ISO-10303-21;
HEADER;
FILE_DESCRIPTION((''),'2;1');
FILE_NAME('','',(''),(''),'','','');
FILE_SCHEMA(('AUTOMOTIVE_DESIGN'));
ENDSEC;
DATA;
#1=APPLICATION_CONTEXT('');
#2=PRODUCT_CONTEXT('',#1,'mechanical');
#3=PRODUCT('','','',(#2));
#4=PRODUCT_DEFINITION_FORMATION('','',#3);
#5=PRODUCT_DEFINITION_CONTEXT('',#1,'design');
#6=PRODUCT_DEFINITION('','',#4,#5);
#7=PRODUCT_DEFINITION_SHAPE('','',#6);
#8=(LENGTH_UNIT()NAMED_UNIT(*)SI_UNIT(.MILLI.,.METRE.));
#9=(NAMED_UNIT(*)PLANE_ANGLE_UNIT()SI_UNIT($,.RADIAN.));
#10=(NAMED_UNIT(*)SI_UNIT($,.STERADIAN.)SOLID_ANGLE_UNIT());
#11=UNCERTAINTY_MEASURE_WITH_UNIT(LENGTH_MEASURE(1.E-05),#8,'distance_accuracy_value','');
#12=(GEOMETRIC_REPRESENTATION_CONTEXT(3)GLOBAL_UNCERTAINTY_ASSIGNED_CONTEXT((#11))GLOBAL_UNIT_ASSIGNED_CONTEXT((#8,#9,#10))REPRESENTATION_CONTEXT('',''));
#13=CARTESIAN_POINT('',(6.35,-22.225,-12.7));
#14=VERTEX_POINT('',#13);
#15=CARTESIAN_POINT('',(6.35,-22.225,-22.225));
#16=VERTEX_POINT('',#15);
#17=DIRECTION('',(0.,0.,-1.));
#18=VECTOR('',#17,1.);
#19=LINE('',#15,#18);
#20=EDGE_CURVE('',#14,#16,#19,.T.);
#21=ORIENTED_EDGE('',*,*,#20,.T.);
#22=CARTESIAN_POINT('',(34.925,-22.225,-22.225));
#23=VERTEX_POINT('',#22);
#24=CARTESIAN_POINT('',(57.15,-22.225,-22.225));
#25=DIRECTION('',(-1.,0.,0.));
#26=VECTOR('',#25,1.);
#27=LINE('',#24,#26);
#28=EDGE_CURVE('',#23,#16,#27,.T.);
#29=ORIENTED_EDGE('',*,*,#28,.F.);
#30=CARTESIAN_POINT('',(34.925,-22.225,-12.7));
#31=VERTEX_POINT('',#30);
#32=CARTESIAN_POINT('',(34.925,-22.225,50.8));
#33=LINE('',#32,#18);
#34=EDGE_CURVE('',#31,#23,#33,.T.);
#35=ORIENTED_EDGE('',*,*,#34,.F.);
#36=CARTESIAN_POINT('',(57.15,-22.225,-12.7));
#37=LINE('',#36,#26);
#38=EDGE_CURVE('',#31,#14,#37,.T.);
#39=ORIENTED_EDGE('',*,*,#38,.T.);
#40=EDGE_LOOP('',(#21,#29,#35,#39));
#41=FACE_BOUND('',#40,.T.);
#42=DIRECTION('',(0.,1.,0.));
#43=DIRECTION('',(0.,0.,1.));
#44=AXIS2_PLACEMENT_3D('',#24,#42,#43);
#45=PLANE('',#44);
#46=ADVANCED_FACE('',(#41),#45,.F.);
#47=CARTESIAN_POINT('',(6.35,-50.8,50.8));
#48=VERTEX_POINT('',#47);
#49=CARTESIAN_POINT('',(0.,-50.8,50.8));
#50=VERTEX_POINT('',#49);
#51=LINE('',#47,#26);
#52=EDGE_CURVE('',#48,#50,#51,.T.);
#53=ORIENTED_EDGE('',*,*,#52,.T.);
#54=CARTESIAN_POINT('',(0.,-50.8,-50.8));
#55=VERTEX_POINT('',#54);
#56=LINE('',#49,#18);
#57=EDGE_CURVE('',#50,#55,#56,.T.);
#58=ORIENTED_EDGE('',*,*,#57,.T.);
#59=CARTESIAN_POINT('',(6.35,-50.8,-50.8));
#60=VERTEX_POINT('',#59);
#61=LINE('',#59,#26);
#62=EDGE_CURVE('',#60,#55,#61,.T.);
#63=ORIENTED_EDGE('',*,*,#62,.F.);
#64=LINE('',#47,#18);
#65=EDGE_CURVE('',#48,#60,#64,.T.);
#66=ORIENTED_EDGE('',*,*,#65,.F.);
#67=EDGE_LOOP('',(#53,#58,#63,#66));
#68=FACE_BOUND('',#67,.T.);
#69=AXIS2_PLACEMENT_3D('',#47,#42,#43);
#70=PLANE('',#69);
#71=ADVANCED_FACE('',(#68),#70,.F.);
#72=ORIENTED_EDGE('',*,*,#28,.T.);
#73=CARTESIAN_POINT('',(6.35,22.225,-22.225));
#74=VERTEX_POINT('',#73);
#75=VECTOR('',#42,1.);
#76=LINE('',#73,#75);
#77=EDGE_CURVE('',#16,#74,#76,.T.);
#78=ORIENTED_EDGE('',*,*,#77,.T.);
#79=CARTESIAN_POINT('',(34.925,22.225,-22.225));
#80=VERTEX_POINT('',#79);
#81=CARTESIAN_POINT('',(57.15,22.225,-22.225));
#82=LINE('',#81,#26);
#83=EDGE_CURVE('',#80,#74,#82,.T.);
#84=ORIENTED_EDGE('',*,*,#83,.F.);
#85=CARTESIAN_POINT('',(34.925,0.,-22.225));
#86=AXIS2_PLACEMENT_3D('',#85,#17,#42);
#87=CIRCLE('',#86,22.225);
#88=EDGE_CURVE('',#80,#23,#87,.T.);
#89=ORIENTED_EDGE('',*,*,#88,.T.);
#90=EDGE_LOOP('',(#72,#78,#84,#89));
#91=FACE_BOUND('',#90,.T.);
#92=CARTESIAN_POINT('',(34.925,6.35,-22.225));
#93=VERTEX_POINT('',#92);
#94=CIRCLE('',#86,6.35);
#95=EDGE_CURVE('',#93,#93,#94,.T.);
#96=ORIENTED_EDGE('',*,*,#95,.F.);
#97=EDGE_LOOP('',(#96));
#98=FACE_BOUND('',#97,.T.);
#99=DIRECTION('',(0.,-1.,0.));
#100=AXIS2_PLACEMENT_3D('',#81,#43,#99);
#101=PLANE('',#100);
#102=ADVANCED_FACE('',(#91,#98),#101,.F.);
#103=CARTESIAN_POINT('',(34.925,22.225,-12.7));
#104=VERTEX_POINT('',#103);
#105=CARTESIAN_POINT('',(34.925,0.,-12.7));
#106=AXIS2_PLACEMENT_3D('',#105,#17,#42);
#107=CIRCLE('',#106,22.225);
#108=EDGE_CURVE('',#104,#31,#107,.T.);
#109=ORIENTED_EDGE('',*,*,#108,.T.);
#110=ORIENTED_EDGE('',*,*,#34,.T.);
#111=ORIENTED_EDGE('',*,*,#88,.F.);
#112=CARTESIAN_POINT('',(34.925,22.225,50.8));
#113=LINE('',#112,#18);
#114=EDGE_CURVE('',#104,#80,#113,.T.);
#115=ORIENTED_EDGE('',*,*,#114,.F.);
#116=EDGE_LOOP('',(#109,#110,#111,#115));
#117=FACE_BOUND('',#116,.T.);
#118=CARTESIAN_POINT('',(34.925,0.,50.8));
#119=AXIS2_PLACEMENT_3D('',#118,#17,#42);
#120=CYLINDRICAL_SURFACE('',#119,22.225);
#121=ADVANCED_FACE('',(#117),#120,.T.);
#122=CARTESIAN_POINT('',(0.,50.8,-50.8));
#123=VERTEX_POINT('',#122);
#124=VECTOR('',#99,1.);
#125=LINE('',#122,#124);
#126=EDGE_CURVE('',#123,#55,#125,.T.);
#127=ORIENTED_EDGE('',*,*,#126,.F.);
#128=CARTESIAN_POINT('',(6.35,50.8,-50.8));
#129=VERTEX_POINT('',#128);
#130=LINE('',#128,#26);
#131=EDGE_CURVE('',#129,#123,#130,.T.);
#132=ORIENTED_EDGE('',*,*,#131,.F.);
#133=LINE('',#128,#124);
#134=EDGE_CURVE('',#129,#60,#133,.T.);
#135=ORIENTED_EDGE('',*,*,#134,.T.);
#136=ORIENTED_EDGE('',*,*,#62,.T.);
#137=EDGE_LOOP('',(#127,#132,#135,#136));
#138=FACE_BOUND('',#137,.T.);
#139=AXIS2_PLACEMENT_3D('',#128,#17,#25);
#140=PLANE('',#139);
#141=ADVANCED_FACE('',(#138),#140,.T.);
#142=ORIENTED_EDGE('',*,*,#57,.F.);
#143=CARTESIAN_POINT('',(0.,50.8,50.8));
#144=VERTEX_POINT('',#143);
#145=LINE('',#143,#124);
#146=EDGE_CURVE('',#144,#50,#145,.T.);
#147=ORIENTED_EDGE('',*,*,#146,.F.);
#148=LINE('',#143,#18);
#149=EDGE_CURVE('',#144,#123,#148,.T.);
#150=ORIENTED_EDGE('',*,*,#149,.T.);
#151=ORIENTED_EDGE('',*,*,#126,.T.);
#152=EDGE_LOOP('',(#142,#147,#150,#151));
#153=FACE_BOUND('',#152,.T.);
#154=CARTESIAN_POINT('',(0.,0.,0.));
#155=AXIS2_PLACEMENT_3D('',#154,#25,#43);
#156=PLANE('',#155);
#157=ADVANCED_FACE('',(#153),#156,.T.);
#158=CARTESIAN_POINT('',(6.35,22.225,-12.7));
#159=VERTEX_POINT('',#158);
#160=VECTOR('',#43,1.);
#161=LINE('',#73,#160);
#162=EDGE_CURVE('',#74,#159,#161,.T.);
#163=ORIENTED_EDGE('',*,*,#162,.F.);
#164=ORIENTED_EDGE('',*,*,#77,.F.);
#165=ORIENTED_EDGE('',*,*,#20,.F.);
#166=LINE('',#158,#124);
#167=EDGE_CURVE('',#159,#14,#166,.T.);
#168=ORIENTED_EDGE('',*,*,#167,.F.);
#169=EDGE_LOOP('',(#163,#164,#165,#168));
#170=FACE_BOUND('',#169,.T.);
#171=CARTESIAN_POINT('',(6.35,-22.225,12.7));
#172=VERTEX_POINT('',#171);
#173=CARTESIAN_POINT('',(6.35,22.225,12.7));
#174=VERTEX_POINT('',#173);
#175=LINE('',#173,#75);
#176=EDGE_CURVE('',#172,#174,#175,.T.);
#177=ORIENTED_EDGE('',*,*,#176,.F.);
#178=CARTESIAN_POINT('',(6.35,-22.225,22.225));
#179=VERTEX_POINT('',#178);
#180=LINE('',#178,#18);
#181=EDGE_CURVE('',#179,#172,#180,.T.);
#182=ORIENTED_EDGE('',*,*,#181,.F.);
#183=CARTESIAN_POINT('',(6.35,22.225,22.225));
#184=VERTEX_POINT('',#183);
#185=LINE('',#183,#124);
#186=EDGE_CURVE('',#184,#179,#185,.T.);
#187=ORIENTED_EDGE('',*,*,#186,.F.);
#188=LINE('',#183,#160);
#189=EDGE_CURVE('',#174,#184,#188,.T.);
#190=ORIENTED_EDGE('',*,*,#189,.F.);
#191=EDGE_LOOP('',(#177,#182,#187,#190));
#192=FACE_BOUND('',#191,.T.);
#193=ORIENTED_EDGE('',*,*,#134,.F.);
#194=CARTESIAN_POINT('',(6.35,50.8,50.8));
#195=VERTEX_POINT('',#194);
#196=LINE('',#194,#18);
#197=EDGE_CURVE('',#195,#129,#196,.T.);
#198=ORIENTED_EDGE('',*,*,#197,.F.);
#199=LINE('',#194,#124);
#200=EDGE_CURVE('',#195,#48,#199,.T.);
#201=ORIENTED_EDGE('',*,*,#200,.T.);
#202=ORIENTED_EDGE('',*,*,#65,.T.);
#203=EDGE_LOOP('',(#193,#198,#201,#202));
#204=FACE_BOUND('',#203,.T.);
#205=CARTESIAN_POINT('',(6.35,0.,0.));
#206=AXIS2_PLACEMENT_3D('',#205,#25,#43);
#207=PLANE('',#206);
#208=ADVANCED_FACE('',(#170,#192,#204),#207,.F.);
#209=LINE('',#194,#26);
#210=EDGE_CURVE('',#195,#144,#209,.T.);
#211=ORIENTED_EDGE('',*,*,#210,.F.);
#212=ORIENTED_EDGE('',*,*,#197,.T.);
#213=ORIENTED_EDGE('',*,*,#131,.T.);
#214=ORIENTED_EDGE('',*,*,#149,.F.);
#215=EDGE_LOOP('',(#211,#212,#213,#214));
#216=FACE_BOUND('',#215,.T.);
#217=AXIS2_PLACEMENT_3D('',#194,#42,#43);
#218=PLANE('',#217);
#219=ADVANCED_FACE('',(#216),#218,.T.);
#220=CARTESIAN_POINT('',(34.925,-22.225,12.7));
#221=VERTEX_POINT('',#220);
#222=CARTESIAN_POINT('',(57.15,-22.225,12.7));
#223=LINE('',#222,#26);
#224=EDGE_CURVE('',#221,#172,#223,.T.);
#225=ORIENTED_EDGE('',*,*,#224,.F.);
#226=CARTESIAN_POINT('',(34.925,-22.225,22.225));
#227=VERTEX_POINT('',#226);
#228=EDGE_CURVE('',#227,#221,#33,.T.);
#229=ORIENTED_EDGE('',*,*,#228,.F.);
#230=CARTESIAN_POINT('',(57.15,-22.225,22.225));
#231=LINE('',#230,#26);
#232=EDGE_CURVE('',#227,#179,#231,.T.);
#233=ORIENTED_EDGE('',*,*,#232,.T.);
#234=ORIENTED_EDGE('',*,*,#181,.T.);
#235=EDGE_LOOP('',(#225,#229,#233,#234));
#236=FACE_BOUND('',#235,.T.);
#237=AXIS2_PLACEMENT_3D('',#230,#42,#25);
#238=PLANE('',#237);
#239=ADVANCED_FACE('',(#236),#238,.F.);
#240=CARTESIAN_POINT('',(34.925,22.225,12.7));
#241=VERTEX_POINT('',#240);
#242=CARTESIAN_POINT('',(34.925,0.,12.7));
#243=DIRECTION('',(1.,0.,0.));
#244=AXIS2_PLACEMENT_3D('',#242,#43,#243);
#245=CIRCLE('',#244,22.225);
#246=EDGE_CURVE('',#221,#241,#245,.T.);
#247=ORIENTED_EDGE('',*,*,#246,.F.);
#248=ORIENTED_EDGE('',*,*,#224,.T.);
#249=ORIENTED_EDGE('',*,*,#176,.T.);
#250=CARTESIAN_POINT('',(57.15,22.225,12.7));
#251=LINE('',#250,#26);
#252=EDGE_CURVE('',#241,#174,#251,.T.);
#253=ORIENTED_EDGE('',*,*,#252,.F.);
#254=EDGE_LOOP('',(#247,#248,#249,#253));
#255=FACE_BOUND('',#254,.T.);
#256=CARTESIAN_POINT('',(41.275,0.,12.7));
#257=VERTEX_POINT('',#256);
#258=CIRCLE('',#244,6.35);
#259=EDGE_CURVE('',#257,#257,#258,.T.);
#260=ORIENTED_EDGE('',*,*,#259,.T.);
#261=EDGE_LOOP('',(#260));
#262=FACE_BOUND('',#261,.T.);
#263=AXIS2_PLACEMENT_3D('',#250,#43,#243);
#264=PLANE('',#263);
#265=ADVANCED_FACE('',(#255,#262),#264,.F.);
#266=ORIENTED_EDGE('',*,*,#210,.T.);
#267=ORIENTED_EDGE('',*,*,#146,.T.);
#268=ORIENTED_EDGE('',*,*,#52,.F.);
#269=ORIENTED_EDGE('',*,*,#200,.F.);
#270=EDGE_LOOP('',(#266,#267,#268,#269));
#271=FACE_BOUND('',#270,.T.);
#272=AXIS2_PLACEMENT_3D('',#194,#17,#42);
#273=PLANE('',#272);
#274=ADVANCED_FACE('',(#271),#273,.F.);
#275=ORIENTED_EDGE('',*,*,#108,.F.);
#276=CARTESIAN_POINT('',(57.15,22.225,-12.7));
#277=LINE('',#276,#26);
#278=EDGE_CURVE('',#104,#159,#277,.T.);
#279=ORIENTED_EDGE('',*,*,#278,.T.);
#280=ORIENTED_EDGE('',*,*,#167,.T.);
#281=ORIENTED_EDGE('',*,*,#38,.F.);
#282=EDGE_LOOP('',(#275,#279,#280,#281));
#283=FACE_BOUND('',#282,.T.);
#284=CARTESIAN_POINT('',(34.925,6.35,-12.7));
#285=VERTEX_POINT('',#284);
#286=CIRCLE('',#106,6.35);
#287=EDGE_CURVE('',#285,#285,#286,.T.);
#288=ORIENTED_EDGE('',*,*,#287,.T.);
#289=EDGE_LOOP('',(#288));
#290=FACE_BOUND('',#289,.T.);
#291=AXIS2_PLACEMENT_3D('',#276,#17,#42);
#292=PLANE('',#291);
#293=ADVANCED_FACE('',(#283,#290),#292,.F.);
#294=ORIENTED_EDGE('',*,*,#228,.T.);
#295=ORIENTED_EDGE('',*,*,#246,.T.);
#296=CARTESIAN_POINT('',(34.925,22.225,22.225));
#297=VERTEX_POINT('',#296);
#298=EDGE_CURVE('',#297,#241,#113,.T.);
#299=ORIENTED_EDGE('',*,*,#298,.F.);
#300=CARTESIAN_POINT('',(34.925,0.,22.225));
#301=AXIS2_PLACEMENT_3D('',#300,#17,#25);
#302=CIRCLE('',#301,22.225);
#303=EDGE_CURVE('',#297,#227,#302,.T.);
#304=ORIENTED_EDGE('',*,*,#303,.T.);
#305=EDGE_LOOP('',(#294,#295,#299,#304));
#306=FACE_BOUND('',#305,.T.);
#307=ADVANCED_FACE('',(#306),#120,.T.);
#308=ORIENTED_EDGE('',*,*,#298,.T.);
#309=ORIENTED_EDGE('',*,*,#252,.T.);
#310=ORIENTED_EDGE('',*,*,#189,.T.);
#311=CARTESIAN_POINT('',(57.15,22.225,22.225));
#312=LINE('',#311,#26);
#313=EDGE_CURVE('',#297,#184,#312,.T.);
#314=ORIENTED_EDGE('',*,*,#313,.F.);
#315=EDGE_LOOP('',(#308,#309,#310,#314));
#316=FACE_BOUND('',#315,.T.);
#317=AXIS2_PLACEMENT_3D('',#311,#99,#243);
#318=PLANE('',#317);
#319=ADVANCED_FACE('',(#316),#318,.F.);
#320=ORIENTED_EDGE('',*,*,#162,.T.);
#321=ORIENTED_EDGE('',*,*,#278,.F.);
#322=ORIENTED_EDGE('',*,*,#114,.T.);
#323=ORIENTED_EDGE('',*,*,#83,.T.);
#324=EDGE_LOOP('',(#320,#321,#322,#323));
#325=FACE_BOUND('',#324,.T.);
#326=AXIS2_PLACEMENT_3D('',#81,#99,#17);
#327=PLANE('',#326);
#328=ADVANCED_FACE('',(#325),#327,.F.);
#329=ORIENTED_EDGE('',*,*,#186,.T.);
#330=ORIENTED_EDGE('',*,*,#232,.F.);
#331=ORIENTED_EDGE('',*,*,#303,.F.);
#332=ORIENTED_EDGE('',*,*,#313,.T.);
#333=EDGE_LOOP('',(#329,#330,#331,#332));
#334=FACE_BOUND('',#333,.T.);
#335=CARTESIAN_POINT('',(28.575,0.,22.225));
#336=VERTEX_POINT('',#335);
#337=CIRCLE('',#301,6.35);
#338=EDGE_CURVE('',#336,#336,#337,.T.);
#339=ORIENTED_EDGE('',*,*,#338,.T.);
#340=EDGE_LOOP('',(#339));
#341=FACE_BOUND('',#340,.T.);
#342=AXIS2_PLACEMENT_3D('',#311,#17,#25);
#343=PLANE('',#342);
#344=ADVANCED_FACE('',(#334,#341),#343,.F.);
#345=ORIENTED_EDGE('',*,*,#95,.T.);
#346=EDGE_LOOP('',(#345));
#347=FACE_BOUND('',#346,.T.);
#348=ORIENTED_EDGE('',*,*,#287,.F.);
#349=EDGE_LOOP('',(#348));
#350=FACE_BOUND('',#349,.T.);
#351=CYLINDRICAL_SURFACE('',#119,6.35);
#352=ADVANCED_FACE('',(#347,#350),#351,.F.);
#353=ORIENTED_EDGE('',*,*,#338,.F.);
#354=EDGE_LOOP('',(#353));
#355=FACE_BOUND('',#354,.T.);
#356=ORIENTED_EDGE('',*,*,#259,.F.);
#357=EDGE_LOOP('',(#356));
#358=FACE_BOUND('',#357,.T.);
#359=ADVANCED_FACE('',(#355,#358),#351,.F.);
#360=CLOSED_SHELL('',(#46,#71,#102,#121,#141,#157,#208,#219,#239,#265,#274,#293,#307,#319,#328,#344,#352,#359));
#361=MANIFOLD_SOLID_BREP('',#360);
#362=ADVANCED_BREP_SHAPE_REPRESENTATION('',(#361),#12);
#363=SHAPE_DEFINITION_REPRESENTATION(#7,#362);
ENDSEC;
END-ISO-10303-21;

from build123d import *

# Parameters (mm, degrees)
SKETCH1_W           = 101.6
SKETCH1_H           = 101.6
BOSS_EXTRUDE1_DEPTH = 6.35
SKETCH2_W           = 44.45
SKETCH2_H           = 9.525
BOSS_EXTRUDE2_DEPTH = 50.8
SKETCH3_R           = 6.35
CUT_EXTRUDE1_DEPTH  = 74.025


with BuildPart() as part:
    # Sketch1 → Boss-Extrude1 (new body)
    with BuildSketch(Plane(origin=(0, 0, 0), x_dir=(0, -1, 0), z_dir=(1, 0, 0))):
        Rectangle(SKETCH1_W, SKETCH1_H)
    extrude(amount=BOSS_EXTRUDE1_DEPTH)

    # Sketch2 → Boss-Extrude2 (add)
    with BuildSketch(Plane(origin=(6.35, 0, 0), x_dir=(0, -1, 0), z_dir=(1, 0, 0))):
        with Locations((0, 17.4625)):
            Rectangle(SKETCH2_W, SKETCH2_H)
        with Locations((0, -17.4625)):
            Rectangle(SKETCH2_W, SKETCH2_H)
    extrude(amount=BOSS_EXTRUDE2_DEPTH)

    # Sketch3 → Cut-Extrude1 (cut, through all)
    with BuildSketch(Plane.YX.offset(22.225)):
        with BuildLine():
            Line((-22.225, 57.15), (-22.225, 34.925))
            ThreePointArc((-22.225, 34.925), (-15.715448108, 50.640448315), (2.93e-07, 57.15))
            Line((2.93e-07, 57.15), (-22.225, 57.15))
        make_face()
        with BuildLine():
            ThreePointArc((2.93e-07, 57.15), (15.715448315, 50.640448108), (22.225, 34.925))
            Line((22.225, 34.925), (22.225, 57.15))
            Line((22.225, 57.15), (2.93e-07, 57.15))
        make_face()
        with Locations((0, 34.925)):
            Circle(SKETCH3_R)
    extrude(amount=-CUT_EXTRUDE1_DEPTH, mode=Mode.SUBTRACT)


solid = part.part
